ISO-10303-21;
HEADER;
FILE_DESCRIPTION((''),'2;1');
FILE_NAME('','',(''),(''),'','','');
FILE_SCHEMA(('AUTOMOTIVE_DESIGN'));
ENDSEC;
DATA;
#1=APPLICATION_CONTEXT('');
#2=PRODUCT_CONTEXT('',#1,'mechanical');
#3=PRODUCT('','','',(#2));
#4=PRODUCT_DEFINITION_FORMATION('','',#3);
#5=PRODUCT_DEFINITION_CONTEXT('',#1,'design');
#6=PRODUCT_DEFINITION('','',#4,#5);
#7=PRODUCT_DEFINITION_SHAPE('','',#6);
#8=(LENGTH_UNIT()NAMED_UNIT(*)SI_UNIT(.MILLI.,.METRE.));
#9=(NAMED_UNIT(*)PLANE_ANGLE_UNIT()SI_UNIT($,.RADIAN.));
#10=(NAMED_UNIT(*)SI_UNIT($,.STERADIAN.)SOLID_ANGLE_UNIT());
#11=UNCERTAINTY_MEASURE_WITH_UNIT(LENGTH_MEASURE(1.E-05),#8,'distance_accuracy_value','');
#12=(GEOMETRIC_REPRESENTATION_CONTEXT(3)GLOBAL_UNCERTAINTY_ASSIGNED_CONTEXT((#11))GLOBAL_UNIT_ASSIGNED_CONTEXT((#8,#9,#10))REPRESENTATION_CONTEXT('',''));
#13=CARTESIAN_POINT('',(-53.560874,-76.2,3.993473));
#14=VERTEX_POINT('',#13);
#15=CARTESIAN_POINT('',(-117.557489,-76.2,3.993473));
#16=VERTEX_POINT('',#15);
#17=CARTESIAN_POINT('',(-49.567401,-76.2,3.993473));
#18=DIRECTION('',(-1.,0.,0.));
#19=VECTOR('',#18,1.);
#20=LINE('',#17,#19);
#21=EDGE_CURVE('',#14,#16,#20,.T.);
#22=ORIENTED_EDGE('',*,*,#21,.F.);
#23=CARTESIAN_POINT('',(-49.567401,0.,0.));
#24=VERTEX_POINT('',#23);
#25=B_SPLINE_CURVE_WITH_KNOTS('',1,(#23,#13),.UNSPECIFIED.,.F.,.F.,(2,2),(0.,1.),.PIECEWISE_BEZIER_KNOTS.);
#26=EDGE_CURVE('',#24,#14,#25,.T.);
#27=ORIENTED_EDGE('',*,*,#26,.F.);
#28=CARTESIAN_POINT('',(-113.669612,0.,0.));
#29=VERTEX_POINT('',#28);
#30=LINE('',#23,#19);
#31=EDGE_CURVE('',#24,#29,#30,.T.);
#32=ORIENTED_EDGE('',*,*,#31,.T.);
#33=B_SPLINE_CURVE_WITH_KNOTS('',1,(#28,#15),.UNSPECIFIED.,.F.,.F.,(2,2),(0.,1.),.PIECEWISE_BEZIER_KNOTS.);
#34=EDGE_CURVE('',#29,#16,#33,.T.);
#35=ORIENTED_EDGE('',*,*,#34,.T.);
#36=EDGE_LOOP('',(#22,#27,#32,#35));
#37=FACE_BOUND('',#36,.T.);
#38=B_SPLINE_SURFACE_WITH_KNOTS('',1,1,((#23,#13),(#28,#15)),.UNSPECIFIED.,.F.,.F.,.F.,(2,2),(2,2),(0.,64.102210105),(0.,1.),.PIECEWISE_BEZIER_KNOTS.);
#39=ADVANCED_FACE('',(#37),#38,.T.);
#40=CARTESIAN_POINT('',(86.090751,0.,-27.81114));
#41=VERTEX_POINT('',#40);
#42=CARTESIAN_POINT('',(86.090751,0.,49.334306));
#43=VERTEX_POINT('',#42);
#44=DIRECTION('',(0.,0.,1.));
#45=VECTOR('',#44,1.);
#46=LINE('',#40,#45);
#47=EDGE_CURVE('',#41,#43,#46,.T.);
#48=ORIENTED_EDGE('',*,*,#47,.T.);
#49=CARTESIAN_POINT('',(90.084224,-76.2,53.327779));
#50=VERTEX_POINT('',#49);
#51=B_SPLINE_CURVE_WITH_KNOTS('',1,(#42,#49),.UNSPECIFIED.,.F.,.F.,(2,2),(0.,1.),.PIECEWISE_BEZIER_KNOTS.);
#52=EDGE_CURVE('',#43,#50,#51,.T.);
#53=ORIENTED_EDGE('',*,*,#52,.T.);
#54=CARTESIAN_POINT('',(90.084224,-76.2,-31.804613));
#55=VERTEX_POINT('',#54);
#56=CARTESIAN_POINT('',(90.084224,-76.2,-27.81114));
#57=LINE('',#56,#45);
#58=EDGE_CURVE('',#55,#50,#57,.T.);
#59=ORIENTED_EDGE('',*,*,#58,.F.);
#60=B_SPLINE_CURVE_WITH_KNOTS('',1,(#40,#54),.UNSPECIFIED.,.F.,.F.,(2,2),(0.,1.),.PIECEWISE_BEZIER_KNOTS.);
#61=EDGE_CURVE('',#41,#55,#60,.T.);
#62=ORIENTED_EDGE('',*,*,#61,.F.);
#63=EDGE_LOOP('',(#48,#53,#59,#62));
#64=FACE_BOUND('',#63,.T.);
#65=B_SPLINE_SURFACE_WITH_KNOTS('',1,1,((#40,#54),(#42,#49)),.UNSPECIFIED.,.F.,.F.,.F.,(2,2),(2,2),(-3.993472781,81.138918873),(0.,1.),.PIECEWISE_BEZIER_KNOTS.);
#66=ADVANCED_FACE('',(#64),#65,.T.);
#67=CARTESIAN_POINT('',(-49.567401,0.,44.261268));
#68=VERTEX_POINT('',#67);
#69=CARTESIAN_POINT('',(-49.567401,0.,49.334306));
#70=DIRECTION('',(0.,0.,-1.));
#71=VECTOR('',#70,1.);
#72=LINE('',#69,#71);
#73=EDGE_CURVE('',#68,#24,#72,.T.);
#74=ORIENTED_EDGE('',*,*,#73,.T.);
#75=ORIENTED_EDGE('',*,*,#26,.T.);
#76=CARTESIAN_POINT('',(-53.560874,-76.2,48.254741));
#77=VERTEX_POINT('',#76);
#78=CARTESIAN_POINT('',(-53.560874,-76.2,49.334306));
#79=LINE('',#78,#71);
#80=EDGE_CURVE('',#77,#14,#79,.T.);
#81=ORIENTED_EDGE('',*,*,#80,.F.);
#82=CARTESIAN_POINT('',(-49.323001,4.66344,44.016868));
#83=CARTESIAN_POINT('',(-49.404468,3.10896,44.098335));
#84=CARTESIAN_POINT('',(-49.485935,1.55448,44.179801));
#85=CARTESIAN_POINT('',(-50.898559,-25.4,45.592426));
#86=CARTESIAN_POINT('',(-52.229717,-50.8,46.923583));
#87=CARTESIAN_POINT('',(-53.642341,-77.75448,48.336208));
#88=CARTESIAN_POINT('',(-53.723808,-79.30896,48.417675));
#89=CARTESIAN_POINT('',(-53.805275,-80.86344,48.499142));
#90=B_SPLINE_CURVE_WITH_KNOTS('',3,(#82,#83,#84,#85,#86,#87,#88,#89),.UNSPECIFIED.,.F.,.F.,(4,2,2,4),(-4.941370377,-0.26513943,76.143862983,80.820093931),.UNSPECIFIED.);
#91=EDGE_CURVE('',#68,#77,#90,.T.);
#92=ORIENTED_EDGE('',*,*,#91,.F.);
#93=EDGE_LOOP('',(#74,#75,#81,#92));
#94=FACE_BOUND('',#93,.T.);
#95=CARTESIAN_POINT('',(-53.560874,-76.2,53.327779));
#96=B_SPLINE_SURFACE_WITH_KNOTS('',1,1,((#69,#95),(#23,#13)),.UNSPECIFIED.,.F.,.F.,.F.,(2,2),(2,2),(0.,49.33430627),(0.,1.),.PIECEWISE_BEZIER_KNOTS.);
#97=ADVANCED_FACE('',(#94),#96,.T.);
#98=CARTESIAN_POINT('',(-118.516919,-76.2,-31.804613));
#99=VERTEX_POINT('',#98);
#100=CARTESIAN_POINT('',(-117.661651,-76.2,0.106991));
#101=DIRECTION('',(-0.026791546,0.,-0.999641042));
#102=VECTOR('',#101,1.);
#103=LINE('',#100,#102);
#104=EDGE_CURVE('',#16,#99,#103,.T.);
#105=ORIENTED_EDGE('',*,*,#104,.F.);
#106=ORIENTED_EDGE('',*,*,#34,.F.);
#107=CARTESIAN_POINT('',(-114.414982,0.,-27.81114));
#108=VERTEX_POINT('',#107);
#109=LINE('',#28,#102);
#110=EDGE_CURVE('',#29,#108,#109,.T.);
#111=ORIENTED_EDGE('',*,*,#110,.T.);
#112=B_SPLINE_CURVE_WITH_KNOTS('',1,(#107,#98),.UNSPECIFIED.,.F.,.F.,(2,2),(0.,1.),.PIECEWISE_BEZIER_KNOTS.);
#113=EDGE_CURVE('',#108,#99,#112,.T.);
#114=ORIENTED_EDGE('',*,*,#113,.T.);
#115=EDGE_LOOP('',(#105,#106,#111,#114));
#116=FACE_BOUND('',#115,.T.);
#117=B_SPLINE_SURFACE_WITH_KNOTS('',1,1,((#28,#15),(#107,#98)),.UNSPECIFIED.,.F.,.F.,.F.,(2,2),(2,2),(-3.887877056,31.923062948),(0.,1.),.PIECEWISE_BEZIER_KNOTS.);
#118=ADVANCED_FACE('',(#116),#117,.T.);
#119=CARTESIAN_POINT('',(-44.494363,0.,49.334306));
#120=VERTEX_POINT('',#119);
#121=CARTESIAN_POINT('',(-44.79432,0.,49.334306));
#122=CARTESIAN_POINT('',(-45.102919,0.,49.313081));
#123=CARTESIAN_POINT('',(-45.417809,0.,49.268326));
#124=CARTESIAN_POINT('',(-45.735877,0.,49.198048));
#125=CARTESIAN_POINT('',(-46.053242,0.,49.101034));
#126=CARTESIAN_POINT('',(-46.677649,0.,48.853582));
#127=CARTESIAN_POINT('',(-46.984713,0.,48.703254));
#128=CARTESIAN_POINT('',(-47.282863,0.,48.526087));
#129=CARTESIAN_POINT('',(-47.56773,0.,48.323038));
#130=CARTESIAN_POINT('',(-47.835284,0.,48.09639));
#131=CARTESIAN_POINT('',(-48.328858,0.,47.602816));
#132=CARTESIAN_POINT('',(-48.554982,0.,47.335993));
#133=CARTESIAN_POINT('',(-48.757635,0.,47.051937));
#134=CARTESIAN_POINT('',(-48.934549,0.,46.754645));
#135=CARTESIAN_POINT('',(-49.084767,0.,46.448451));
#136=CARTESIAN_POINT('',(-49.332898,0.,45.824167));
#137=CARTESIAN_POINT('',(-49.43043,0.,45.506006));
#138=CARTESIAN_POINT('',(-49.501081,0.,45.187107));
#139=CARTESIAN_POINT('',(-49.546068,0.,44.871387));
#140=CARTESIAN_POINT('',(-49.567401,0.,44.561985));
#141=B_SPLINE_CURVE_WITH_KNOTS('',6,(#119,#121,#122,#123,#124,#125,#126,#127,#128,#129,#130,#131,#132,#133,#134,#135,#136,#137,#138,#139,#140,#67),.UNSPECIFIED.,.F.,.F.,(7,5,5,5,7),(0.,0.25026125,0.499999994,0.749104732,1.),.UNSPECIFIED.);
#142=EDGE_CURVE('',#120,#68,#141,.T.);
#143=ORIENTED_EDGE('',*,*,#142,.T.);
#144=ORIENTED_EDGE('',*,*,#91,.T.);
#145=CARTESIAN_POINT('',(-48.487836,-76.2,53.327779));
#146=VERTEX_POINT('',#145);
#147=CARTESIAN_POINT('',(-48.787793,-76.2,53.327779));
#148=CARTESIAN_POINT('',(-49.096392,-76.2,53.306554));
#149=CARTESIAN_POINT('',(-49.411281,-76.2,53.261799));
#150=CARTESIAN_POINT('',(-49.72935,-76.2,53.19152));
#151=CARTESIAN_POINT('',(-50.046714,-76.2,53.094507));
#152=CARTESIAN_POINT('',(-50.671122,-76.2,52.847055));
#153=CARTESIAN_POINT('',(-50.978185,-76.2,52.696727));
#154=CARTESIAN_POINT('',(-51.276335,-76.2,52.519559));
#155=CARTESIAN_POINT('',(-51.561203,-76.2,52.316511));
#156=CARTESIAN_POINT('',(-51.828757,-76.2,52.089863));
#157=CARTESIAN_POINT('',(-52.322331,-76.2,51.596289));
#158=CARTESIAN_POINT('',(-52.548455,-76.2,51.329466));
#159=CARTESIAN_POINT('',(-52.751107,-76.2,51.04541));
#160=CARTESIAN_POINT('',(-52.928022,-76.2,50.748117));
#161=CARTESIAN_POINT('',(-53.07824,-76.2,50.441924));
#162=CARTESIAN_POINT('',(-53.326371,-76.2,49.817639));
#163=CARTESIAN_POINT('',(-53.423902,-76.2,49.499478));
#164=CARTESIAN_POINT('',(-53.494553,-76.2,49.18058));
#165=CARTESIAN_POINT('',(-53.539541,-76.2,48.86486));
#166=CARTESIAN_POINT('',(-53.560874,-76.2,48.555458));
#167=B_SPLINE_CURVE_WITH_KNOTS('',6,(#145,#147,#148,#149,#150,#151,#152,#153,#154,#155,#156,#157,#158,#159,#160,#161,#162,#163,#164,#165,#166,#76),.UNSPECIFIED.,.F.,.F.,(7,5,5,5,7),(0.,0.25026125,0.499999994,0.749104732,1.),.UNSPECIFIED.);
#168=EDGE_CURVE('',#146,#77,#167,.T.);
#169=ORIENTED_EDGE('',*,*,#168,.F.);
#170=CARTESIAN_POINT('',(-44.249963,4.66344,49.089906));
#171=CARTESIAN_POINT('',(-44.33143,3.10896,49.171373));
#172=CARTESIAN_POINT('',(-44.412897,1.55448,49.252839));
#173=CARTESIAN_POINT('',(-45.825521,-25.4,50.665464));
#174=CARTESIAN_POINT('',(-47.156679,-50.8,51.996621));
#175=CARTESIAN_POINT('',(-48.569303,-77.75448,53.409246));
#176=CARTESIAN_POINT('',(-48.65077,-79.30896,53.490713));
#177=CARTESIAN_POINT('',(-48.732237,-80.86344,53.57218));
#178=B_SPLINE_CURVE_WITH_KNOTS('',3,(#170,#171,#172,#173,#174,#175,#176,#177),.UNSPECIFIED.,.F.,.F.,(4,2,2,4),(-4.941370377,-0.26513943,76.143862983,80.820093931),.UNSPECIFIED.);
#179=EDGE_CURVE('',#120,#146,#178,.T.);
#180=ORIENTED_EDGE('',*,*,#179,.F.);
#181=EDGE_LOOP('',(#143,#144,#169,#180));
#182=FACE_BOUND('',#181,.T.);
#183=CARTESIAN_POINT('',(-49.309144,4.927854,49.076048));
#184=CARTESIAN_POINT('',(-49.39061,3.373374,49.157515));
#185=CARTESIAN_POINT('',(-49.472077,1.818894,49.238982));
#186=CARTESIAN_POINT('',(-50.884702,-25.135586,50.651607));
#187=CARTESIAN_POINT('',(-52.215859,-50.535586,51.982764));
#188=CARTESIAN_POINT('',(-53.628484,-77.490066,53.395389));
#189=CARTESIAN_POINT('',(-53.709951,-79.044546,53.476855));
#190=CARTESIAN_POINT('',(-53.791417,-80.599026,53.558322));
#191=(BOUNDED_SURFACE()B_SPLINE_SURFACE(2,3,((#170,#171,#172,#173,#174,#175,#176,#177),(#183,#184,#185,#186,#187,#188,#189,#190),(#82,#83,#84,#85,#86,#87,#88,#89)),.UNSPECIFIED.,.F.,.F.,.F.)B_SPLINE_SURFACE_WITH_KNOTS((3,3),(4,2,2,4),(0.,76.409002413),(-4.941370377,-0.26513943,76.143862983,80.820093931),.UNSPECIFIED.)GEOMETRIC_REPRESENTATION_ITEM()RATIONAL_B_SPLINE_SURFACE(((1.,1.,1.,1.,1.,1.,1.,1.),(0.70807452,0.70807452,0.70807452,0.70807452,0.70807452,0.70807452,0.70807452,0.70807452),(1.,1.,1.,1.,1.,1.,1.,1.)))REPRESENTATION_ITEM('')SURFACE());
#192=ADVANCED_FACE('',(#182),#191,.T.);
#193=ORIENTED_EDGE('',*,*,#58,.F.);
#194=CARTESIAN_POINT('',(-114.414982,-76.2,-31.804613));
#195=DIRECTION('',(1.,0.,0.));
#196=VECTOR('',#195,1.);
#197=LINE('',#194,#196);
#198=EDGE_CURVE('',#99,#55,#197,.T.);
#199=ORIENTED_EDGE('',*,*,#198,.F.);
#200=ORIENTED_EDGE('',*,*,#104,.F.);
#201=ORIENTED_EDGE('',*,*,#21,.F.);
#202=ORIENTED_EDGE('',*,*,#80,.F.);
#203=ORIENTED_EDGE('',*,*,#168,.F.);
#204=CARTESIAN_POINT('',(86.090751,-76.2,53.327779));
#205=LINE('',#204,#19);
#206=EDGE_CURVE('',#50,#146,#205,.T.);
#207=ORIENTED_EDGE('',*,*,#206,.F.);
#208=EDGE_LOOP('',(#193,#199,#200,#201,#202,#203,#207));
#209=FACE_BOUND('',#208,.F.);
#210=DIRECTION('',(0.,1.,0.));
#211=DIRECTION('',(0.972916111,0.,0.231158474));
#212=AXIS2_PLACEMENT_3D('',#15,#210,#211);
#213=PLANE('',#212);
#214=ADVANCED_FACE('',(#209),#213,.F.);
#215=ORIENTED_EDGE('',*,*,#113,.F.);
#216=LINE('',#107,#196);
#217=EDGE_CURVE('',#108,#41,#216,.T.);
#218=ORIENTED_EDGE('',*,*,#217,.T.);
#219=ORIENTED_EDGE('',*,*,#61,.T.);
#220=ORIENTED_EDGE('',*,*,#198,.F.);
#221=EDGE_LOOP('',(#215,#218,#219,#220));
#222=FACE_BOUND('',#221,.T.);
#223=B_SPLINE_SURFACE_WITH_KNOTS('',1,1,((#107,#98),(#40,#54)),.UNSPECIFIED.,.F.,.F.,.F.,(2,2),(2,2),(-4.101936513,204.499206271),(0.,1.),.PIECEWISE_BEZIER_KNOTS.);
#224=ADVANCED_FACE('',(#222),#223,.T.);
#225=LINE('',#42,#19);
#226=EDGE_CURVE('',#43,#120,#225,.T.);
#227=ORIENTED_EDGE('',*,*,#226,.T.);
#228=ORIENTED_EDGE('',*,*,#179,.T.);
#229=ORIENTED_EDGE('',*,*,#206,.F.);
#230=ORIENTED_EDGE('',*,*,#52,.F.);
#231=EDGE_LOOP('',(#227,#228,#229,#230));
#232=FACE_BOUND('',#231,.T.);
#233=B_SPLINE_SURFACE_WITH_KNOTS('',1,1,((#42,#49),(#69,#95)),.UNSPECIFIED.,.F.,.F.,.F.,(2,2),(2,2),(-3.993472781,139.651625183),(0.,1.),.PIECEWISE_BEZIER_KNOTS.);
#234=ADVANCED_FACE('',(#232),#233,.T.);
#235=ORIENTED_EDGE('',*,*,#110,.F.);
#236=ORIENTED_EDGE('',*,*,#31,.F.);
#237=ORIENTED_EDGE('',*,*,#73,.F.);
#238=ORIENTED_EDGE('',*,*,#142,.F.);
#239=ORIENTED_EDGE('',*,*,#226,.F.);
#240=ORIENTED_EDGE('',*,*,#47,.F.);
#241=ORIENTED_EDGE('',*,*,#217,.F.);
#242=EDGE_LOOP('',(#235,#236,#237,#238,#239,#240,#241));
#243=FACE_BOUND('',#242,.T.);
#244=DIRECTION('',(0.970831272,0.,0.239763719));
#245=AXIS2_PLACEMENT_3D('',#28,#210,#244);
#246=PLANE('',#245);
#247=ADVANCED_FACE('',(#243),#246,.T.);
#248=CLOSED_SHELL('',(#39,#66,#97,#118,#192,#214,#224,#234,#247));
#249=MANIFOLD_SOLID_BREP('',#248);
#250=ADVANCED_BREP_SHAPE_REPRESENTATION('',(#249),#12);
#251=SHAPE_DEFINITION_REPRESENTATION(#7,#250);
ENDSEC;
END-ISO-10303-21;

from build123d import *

# Parameters (mm, degrees)
F1_DEPTH = 76.2
F1_TAPER = -3
F2_R     = 5.08


with BuildPart() as f1:
    # F0 (on Front) → F1 (new body)
    with BuildSketch(Plane.XZ):
        Polygon((-113.6696115136, 0), (-114.4149824977, -27.811139822), (86.0907509923, -27.811139822), (86.0907509923, 49.3343062699), (-49.5674014091, 49.3343062699), (-49.5674014091, 0), align=None)
    extrude(amount=F1_DEPTH, taper=F1_TAPER)

    # F2
    f2_edges = [f1.edges().sort_by_distance(p)[0] for p in [
        (-51.564138, -38.1, 51.331043),
    ]]
    fillet(f2_edges, radius=F2_R)


solid = f1.part
